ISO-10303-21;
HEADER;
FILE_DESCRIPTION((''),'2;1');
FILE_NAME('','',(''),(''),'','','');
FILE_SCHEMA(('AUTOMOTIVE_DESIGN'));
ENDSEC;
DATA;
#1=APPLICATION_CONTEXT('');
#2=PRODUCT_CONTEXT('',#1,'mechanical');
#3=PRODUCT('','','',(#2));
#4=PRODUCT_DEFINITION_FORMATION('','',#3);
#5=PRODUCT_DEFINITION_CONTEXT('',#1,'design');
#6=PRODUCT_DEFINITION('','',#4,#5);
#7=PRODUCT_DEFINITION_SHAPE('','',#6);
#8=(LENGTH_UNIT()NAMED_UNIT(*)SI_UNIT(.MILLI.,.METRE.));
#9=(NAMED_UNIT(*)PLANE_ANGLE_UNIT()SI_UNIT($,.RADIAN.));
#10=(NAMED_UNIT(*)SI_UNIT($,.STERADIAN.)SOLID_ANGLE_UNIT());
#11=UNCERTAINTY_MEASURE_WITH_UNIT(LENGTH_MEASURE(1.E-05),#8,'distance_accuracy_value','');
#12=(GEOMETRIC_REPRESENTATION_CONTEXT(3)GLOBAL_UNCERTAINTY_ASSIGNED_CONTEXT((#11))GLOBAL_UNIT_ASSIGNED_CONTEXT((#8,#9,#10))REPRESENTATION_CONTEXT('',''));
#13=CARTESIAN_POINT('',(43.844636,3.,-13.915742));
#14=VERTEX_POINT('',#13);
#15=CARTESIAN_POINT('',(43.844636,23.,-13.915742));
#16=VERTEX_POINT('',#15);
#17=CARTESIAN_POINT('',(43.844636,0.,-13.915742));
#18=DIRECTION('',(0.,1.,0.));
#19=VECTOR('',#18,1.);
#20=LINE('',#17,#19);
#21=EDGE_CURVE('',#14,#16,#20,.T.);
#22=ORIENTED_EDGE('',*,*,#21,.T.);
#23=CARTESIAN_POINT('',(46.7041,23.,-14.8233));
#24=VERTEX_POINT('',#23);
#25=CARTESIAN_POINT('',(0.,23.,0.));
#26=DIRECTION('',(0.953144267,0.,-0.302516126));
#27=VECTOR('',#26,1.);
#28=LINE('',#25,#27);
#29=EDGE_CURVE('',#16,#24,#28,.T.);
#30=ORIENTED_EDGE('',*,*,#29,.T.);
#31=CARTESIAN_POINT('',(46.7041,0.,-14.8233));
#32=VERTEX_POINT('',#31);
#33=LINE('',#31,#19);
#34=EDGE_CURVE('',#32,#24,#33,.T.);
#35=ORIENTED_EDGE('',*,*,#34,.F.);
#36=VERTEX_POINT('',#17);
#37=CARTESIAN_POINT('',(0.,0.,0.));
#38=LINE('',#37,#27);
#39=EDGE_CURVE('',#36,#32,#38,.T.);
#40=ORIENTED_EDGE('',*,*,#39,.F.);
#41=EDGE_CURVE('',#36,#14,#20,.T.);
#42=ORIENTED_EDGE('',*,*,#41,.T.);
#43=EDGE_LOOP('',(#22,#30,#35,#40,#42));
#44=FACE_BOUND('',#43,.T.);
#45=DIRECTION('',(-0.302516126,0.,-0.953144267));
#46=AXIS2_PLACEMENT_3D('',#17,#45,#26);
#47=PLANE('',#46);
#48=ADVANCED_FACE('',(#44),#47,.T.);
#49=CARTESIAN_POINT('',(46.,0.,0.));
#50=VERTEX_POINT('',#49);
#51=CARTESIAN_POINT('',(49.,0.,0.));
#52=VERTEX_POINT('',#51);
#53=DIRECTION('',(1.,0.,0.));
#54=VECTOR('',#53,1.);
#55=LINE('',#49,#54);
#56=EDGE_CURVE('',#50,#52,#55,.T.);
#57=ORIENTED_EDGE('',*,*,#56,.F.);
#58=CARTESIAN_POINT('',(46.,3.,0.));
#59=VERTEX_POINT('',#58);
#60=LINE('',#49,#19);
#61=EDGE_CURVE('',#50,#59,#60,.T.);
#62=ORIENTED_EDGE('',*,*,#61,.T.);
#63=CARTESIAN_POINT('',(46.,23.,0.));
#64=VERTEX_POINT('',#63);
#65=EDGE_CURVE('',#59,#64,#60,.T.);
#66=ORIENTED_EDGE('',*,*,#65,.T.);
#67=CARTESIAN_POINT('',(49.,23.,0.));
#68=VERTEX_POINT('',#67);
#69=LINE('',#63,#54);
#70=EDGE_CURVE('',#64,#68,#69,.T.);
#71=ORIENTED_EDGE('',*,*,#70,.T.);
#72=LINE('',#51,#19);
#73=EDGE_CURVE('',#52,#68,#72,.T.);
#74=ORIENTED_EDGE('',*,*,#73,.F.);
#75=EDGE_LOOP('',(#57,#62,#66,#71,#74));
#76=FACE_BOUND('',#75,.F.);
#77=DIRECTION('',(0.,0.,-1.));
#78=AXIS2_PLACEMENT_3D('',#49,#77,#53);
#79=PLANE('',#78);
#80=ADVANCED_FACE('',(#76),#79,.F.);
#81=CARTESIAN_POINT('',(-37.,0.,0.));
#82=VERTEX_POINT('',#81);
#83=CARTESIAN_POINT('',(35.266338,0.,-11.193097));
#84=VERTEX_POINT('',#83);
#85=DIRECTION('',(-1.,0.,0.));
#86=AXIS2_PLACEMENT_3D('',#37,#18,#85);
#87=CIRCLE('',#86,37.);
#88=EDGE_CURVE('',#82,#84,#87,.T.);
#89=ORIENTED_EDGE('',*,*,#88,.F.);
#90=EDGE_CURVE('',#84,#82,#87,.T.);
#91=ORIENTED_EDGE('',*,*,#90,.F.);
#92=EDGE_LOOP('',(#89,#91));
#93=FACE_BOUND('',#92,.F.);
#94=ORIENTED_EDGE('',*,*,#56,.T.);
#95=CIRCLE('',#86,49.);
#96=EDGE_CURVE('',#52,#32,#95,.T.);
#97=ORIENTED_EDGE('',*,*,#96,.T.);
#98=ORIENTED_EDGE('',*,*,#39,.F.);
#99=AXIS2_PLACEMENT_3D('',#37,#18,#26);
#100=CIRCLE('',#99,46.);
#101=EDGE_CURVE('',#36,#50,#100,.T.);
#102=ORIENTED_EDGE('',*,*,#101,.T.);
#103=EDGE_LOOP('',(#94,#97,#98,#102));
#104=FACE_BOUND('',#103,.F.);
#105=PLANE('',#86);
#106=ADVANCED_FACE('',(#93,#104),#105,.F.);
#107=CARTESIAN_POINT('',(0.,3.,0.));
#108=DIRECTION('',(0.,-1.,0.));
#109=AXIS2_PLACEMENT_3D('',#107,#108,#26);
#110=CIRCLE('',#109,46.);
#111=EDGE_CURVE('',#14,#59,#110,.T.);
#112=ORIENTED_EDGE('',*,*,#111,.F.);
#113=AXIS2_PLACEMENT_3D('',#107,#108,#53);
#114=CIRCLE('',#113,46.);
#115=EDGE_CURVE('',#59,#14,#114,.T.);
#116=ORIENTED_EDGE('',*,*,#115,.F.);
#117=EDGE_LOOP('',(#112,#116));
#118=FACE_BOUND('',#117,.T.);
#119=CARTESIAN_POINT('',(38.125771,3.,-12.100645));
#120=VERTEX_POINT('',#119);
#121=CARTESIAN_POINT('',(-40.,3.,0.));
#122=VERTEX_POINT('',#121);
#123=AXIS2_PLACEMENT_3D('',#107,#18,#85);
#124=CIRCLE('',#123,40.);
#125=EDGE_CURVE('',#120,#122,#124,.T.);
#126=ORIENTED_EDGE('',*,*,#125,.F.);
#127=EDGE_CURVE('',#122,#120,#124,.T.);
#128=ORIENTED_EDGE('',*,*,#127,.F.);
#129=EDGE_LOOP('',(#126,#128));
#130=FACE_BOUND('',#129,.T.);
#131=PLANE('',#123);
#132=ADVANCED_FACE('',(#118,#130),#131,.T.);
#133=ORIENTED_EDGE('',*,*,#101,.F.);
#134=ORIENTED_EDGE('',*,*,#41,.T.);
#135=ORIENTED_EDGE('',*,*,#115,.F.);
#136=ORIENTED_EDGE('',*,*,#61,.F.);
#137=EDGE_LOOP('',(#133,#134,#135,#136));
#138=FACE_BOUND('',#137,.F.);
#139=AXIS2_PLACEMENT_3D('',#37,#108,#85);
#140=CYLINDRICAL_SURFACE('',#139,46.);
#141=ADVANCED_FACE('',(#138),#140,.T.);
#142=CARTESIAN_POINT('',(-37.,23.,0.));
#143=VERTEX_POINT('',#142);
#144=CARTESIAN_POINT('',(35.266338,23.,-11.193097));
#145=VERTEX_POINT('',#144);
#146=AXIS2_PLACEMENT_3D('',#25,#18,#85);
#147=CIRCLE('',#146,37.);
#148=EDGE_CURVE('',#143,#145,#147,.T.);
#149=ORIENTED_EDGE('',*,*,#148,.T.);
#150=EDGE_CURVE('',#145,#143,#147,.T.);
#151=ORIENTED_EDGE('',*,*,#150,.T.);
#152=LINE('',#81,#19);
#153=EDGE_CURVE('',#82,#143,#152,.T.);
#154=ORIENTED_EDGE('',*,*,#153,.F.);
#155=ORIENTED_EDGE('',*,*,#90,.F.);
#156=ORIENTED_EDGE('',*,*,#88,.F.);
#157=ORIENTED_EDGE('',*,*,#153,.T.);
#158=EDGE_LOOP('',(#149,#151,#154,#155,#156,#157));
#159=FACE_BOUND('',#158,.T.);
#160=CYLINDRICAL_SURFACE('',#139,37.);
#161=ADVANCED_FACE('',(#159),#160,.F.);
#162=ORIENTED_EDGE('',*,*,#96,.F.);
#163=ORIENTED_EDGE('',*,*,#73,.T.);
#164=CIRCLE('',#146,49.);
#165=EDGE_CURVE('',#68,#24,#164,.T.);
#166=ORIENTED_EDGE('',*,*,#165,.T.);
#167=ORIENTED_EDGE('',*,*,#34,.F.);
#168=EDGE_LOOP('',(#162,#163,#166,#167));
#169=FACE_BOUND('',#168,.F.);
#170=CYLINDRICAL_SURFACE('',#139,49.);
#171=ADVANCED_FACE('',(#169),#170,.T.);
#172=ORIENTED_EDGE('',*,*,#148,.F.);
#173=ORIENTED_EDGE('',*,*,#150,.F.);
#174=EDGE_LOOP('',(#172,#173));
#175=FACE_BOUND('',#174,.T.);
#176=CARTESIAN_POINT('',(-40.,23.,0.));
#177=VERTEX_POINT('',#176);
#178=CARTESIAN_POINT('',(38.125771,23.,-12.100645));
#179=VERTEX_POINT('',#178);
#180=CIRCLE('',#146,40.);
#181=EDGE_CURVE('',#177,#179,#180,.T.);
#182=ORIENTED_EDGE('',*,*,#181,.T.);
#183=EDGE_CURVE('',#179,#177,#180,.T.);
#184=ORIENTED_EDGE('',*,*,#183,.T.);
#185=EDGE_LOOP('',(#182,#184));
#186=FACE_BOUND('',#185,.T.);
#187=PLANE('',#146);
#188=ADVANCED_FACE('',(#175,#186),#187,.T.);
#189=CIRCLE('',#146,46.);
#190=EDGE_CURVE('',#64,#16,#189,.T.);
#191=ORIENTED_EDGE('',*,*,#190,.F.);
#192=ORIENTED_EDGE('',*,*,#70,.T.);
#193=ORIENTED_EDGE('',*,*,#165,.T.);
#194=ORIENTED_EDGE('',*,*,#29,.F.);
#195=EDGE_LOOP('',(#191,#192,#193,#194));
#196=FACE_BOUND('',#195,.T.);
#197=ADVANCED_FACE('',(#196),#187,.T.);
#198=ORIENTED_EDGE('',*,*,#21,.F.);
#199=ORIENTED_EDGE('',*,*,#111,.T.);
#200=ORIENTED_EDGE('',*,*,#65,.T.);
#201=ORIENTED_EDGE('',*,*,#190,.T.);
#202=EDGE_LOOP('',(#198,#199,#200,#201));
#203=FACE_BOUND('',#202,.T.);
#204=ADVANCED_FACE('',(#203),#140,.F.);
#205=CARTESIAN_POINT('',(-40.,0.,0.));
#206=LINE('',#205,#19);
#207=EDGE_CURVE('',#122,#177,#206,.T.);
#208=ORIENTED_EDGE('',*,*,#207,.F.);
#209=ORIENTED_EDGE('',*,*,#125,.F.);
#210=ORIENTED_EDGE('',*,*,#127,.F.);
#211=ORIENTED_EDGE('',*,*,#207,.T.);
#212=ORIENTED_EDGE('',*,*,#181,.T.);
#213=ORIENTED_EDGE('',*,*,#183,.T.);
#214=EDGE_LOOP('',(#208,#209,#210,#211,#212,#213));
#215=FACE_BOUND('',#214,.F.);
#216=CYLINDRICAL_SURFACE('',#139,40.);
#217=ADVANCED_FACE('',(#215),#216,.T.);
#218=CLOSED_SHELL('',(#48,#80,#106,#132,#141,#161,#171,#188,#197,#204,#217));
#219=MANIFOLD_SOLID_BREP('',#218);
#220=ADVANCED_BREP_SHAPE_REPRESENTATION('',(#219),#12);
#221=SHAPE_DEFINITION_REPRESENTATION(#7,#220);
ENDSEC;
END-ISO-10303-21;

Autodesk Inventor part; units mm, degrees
ref_plane "YZ Plane" through (0, 0, 0) normal (1, 0, 0) x (0, 1, 0)
ref_plane "XZ Plane" through (0, 0, 0) normal (0, 1, 0) x (-1, 0, 0)
ref_plane "XY Plane" through (0, 0, 0) normal (0, 0, 1) x (1, 0, 0)
sketch "Sketch1" plane through (0, 0, 0) normal (0, 1, 0) x (-1, 0, 0)
  circle A0 centre (0, 0) radius 40
  circle A1 centre (0, 0) radius 46
  circle A2 centre (0, 0) radius 37
  circle A3 centre (0, 0) radius 49
  line L0 (-46, 0) -> (-49, 0)
  line L1 (0, 0) -> (-46.7041, -14.8233)
  point P0 (-43.8446, -13.9157)
  dimension "d0" = 80
  dimension "d1" = 6
  dimension "d2" = 3
  dimension "d7" = 3
  dimension "d8" = 15
extrude "Extrusion1" add sketch "Sketch1" along normal blind 23 contours A0
extrude "Extrusion2" add sketch "Sketch1" along normal blind 3 contours A1
extrude "Extrusion3" add sketch "Sketch1" along normal up to surface (23 mm away) contours L1 A3 L0 A1 picked at (-46.1746, -12.9028)
properties part number "80mm-CoilForm_3DPrint"
